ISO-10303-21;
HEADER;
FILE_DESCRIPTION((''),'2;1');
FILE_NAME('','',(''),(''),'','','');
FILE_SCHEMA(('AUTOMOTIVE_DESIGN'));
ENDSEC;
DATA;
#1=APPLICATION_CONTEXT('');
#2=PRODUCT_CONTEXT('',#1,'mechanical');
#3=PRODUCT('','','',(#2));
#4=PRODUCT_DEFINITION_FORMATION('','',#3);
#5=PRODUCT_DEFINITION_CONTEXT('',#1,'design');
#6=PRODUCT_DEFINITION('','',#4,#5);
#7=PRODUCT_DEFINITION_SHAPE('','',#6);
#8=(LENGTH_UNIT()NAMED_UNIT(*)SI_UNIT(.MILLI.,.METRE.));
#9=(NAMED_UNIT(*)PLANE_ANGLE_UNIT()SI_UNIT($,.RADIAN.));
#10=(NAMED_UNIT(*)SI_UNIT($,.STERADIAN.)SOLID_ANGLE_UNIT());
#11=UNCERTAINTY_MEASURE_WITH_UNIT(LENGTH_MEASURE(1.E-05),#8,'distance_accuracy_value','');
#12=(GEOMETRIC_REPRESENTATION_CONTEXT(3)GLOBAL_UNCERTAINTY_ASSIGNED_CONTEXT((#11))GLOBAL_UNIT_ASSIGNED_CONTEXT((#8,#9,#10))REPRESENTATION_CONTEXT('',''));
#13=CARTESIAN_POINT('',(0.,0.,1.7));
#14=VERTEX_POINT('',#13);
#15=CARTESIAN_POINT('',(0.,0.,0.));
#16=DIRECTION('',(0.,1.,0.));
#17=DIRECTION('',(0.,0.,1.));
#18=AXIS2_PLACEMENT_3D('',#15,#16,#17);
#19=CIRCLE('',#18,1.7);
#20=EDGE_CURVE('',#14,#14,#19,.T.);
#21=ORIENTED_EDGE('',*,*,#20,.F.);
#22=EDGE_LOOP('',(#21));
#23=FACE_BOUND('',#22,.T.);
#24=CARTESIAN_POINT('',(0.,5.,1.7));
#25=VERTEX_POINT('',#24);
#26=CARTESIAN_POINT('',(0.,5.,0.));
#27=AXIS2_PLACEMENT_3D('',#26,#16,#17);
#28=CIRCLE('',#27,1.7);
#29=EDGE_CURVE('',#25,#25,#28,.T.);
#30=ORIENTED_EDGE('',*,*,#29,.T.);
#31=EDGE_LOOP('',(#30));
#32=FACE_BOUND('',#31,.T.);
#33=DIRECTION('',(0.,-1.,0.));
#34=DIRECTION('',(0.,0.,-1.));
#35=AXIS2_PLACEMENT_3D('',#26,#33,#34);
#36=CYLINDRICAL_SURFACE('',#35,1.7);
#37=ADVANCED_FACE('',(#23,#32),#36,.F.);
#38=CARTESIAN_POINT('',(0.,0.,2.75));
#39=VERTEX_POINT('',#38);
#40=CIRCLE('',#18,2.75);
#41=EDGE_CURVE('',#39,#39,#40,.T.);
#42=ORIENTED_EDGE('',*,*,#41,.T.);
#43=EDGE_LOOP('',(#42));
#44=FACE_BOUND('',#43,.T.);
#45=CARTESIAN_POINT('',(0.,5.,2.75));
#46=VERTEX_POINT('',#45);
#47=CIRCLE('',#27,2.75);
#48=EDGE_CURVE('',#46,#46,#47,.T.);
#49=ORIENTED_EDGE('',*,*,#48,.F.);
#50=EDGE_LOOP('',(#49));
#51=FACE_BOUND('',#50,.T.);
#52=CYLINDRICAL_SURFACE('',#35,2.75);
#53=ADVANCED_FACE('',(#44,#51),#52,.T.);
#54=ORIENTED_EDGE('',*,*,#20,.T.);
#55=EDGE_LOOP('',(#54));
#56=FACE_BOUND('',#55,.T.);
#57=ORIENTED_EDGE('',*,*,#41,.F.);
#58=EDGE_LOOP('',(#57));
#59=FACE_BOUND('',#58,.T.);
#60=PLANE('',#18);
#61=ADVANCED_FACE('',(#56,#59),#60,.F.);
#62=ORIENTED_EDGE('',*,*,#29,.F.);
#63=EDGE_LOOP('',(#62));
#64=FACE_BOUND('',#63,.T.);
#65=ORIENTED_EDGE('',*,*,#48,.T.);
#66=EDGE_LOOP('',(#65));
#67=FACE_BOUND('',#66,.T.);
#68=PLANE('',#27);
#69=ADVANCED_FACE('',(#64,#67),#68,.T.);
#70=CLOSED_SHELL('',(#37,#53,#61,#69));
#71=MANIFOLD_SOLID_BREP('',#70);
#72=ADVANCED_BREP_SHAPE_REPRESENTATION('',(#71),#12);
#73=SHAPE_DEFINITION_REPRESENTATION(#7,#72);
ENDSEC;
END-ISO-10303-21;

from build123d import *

# Parameters (mm, degrees)
SKETCH1_R           = 2.75
SKETCH1_R_2         = 1.7
BOSS_EXTRUDE1_DEPTH = 5


with BuildPart() as part:
    # Sketch1 → Boss-Extrude1 (new body)
    with BuildSketch(Plane(origin=(0, 0, 0), x_dir=(1, 0, 0), z_dir=(0, 1, 0))):
        with Locations(Location((0, 0, 0), (0, 0, 270))):
            Circle(SKETCH1_R)
        with Locations(Location((0, 0, 0), (0, 0, 270))):
            Circle(SKETCH1_R_2, mode=Mode.SUBTRACT)
    extrude(amount=BOSS_EXTRUDE1_DEPTH)


solid = part.part
